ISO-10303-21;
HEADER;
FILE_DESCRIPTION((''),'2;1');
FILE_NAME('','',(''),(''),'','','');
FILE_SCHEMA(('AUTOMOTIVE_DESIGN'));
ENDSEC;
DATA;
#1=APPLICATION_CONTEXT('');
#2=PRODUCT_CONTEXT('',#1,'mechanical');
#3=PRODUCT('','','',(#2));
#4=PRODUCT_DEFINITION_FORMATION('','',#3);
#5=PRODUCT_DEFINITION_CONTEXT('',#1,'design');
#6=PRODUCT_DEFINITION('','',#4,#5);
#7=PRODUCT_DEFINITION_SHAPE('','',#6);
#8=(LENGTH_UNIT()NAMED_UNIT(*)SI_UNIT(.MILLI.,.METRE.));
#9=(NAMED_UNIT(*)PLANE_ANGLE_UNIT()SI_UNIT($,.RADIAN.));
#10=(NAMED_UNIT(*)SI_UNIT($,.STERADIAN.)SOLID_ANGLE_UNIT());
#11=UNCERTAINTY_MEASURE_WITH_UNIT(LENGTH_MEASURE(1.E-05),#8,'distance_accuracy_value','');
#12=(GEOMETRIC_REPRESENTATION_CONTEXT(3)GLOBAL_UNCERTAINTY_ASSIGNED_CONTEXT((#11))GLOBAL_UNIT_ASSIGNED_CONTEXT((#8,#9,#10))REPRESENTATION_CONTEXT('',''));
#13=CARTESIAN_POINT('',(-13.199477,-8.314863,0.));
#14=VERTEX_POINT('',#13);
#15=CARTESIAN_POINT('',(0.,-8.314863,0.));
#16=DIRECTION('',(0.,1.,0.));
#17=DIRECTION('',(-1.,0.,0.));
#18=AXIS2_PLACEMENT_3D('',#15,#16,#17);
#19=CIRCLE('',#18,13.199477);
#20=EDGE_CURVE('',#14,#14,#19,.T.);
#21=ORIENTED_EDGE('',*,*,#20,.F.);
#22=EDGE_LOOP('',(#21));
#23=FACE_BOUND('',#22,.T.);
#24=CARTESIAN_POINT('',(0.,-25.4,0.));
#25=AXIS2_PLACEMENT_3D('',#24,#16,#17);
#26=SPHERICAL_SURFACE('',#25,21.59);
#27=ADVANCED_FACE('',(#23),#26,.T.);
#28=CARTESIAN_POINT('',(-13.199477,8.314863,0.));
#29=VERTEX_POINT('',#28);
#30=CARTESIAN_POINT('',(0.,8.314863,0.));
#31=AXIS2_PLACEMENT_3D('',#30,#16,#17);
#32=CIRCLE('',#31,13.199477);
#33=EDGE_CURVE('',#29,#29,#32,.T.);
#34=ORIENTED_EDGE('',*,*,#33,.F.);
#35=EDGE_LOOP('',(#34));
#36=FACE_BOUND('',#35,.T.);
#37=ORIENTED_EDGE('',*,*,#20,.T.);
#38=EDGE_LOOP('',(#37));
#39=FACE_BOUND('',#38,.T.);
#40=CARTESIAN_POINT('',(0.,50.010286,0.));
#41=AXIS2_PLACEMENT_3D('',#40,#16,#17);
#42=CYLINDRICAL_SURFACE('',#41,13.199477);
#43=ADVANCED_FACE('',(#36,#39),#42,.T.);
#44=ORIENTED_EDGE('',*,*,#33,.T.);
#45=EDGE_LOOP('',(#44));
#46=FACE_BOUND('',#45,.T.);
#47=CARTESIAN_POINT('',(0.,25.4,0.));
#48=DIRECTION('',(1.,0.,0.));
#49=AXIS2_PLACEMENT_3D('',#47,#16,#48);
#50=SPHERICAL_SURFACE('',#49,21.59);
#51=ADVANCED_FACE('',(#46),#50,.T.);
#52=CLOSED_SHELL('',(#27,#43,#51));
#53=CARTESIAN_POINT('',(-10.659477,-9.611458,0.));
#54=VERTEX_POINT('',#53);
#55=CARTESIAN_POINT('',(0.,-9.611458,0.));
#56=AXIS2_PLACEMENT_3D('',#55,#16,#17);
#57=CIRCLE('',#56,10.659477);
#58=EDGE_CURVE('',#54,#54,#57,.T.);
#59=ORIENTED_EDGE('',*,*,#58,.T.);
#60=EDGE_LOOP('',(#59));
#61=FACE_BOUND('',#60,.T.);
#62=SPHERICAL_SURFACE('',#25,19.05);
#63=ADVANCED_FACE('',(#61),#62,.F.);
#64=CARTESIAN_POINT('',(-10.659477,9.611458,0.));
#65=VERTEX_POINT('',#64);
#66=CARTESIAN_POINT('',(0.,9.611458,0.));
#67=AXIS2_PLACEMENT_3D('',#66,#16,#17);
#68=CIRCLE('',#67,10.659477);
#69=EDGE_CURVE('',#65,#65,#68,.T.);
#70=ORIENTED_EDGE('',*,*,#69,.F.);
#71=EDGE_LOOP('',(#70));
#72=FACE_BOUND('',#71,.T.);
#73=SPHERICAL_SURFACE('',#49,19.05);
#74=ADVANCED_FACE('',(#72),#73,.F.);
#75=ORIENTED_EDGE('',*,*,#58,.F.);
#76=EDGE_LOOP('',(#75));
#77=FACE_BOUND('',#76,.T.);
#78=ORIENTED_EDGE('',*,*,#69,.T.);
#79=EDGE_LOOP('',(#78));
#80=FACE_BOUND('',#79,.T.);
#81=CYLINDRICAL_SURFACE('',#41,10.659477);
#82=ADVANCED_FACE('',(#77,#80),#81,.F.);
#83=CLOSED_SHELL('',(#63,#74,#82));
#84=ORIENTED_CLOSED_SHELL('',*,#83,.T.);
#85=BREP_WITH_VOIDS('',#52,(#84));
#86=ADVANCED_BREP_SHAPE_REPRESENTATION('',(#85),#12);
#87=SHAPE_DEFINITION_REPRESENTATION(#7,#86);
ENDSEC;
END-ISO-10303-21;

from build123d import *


with BuildPart() as part:
    # Sketch1 → Revolve-Thin2 (revolve)
    with BuildSketch(Plane.XY, mode=Mode.PRIVATE) as revolve_thin2_sk:
        with BuildLine():
            ThreePointArc((0, 44.45), (18.216396806, 30.973633231), (10.659476597, 9.611457994))
            Line((10.659476597, 9.611457994), (10.659476597, -9.611457994))
            ThreePointArc((10.659476597, -9.611457994), (18.216396806, -30.973633231), (0, -44.45))
            Line((0, -44.45), (0, -46.99))
            ThreePointArc((0, -46.99), (20.432770431, -32.373520813), (13.199476597, -8.314862671))
            Line((13.199476597, -8.314862671), (13.199476597, 8.314862671))
            ThreePointArc((13.199476597, 8.314862671), (20.432770431, 32.373520813), (0, 46.99))
            Line((0, 46.99), (0, 44.45))
        make_face()
    revolve(revolve_thin2_sk.sketch.rotate(Axis((0, 50.010285717, 0), (0, -1, 0)), 180), axis=Axis((0, 50.010285717, 0), (0, -1, 0)))


solid = part.part
